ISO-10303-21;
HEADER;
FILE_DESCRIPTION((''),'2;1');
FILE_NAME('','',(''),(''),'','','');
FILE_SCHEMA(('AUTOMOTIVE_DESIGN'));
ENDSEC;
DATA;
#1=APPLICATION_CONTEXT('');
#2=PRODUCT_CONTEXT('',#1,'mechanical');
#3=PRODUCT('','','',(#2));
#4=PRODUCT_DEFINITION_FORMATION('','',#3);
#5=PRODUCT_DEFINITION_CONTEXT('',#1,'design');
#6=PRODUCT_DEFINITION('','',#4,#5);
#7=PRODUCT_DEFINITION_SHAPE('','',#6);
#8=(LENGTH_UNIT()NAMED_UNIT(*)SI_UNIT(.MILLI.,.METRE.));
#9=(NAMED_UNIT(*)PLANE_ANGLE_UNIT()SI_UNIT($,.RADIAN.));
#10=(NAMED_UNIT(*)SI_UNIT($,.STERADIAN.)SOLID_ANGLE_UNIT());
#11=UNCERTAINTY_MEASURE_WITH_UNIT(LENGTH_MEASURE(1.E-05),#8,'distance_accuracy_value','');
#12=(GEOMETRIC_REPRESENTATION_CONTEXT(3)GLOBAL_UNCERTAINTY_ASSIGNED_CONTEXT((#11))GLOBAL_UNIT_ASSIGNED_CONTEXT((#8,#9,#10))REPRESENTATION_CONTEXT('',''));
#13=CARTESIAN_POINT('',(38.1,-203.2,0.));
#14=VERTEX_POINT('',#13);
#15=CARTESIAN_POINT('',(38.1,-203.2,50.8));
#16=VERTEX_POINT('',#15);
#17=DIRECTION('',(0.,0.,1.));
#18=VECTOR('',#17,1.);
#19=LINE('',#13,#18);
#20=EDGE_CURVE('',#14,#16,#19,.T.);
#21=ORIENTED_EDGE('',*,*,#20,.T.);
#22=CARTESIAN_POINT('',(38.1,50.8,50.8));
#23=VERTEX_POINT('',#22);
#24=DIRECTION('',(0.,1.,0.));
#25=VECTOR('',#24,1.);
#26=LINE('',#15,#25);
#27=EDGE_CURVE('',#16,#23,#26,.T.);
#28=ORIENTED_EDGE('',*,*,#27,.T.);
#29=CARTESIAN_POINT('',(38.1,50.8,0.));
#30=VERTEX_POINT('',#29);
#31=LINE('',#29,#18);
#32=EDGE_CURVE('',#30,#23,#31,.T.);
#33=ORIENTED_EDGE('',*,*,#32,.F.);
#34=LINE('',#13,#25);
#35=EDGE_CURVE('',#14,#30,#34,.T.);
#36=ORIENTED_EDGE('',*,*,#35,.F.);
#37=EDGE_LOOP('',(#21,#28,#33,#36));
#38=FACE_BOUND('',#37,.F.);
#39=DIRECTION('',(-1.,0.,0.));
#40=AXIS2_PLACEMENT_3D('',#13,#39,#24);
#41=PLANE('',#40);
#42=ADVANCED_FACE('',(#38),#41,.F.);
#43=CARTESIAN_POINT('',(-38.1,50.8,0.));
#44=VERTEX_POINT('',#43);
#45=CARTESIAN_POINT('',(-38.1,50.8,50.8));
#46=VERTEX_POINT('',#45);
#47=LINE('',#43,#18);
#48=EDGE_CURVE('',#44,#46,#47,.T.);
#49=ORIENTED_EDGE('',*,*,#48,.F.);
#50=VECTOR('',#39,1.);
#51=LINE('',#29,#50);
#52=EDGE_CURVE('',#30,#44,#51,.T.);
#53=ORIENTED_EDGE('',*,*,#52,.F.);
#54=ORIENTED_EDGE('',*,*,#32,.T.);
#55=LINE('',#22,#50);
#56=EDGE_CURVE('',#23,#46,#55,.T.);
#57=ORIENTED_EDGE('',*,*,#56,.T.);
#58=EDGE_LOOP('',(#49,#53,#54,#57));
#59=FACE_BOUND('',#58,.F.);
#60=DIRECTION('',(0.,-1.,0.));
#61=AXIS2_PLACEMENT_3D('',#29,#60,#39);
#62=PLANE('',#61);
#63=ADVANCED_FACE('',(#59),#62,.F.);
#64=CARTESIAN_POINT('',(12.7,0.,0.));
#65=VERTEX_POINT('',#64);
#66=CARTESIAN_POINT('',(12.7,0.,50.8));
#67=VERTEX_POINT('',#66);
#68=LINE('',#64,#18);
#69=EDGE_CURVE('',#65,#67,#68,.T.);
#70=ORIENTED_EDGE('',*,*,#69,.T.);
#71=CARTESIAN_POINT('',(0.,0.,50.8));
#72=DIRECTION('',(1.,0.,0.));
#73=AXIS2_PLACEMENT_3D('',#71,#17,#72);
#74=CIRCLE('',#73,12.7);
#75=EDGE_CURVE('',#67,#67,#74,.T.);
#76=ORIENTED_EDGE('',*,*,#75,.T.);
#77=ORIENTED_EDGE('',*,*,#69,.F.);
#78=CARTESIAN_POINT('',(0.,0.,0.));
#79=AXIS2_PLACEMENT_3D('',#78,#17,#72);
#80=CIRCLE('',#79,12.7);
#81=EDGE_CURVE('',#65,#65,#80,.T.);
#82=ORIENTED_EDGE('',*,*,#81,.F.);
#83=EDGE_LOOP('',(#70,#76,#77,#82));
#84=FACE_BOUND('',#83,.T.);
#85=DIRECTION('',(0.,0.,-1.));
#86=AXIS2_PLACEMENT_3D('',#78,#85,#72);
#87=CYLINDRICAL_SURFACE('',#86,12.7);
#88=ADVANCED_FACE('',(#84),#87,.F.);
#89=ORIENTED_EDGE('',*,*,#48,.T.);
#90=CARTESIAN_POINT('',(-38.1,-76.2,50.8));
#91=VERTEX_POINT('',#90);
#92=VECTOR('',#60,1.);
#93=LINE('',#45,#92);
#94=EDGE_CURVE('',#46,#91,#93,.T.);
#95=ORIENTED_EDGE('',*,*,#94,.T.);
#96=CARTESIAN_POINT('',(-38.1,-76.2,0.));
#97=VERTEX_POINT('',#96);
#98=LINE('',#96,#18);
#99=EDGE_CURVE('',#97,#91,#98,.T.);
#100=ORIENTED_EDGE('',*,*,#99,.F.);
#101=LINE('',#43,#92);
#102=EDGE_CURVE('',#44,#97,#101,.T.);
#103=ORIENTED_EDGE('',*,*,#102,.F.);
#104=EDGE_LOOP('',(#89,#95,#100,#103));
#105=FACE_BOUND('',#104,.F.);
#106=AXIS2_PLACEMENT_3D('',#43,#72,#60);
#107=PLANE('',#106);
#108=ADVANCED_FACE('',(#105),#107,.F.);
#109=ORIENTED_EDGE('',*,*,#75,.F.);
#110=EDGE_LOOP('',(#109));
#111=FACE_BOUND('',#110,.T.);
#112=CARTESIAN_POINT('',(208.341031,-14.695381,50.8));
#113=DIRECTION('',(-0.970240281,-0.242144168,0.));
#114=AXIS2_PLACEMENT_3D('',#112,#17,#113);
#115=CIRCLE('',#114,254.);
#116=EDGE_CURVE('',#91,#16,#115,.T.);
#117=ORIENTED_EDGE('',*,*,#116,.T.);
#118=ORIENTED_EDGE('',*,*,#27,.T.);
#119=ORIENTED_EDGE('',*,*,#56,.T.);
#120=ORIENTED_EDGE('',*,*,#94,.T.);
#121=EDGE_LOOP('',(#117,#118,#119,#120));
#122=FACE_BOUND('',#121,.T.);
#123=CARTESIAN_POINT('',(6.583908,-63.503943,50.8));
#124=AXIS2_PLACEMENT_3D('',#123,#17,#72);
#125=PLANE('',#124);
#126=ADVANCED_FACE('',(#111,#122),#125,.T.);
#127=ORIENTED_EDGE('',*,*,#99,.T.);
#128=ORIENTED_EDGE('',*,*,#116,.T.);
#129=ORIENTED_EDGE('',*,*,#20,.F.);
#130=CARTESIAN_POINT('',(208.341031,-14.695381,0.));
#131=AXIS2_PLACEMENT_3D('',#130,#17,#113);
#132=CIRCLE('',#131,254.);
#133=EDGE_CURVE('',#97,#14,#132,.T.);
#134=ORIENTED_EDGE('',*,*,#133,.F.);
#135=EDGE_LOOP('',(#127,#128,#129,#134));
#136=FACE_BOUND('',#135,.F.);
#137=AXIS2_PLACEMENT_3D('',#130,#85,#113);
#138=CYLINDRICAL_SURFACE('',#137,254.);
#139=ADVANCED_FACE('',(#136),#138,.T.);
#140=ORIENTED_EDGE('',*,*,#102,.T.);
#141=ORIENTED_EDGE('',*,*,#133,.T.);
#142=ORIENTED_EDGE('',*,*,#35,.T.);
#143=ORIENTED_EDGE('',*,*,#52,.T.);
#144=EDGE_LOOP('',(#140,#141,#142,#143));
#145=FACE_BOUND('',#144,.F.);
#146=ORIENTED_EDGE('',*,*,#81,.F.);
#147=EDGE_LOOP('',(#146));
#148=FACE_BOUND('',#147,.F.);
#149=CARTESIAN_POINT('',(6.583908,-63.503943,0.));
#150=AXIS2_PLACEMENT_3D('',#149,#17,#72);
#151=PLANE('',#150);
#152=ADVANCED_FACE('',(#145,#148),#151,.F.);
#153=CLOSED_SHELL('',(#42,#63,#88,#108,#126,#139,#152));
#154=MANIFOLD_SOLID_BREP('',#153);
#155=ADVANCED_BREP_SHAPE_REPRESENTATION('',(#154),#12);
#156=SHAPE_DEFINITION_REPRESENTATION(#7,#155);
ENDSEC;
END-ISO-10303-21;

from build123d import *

# Parameters (mm, degrees)
F0_R     = 12.7
F1_DEPTH = 50.8


with BuildPart() as f1:
    # F0 (on Top) → F1 (new body)
    with BuildSketch(Plane.XY):
        with BuildLine():
            Line((38.1, 50.8), (-38.1, 50.8))
            Line((-38.1, 50.8), (-38.1, -76.2))
            ThreePointArc((-38.1, -76.2), (-9.462172, -145.377303), (38.1, -203.2))
            Line((38.1, -203.2), (38.1, 50.8))
        make_face()
        Circle(F0_R, mode=Mode.SUBTRACT)
    extrude(amount=F1_DEPTH)


solid = f1.part
